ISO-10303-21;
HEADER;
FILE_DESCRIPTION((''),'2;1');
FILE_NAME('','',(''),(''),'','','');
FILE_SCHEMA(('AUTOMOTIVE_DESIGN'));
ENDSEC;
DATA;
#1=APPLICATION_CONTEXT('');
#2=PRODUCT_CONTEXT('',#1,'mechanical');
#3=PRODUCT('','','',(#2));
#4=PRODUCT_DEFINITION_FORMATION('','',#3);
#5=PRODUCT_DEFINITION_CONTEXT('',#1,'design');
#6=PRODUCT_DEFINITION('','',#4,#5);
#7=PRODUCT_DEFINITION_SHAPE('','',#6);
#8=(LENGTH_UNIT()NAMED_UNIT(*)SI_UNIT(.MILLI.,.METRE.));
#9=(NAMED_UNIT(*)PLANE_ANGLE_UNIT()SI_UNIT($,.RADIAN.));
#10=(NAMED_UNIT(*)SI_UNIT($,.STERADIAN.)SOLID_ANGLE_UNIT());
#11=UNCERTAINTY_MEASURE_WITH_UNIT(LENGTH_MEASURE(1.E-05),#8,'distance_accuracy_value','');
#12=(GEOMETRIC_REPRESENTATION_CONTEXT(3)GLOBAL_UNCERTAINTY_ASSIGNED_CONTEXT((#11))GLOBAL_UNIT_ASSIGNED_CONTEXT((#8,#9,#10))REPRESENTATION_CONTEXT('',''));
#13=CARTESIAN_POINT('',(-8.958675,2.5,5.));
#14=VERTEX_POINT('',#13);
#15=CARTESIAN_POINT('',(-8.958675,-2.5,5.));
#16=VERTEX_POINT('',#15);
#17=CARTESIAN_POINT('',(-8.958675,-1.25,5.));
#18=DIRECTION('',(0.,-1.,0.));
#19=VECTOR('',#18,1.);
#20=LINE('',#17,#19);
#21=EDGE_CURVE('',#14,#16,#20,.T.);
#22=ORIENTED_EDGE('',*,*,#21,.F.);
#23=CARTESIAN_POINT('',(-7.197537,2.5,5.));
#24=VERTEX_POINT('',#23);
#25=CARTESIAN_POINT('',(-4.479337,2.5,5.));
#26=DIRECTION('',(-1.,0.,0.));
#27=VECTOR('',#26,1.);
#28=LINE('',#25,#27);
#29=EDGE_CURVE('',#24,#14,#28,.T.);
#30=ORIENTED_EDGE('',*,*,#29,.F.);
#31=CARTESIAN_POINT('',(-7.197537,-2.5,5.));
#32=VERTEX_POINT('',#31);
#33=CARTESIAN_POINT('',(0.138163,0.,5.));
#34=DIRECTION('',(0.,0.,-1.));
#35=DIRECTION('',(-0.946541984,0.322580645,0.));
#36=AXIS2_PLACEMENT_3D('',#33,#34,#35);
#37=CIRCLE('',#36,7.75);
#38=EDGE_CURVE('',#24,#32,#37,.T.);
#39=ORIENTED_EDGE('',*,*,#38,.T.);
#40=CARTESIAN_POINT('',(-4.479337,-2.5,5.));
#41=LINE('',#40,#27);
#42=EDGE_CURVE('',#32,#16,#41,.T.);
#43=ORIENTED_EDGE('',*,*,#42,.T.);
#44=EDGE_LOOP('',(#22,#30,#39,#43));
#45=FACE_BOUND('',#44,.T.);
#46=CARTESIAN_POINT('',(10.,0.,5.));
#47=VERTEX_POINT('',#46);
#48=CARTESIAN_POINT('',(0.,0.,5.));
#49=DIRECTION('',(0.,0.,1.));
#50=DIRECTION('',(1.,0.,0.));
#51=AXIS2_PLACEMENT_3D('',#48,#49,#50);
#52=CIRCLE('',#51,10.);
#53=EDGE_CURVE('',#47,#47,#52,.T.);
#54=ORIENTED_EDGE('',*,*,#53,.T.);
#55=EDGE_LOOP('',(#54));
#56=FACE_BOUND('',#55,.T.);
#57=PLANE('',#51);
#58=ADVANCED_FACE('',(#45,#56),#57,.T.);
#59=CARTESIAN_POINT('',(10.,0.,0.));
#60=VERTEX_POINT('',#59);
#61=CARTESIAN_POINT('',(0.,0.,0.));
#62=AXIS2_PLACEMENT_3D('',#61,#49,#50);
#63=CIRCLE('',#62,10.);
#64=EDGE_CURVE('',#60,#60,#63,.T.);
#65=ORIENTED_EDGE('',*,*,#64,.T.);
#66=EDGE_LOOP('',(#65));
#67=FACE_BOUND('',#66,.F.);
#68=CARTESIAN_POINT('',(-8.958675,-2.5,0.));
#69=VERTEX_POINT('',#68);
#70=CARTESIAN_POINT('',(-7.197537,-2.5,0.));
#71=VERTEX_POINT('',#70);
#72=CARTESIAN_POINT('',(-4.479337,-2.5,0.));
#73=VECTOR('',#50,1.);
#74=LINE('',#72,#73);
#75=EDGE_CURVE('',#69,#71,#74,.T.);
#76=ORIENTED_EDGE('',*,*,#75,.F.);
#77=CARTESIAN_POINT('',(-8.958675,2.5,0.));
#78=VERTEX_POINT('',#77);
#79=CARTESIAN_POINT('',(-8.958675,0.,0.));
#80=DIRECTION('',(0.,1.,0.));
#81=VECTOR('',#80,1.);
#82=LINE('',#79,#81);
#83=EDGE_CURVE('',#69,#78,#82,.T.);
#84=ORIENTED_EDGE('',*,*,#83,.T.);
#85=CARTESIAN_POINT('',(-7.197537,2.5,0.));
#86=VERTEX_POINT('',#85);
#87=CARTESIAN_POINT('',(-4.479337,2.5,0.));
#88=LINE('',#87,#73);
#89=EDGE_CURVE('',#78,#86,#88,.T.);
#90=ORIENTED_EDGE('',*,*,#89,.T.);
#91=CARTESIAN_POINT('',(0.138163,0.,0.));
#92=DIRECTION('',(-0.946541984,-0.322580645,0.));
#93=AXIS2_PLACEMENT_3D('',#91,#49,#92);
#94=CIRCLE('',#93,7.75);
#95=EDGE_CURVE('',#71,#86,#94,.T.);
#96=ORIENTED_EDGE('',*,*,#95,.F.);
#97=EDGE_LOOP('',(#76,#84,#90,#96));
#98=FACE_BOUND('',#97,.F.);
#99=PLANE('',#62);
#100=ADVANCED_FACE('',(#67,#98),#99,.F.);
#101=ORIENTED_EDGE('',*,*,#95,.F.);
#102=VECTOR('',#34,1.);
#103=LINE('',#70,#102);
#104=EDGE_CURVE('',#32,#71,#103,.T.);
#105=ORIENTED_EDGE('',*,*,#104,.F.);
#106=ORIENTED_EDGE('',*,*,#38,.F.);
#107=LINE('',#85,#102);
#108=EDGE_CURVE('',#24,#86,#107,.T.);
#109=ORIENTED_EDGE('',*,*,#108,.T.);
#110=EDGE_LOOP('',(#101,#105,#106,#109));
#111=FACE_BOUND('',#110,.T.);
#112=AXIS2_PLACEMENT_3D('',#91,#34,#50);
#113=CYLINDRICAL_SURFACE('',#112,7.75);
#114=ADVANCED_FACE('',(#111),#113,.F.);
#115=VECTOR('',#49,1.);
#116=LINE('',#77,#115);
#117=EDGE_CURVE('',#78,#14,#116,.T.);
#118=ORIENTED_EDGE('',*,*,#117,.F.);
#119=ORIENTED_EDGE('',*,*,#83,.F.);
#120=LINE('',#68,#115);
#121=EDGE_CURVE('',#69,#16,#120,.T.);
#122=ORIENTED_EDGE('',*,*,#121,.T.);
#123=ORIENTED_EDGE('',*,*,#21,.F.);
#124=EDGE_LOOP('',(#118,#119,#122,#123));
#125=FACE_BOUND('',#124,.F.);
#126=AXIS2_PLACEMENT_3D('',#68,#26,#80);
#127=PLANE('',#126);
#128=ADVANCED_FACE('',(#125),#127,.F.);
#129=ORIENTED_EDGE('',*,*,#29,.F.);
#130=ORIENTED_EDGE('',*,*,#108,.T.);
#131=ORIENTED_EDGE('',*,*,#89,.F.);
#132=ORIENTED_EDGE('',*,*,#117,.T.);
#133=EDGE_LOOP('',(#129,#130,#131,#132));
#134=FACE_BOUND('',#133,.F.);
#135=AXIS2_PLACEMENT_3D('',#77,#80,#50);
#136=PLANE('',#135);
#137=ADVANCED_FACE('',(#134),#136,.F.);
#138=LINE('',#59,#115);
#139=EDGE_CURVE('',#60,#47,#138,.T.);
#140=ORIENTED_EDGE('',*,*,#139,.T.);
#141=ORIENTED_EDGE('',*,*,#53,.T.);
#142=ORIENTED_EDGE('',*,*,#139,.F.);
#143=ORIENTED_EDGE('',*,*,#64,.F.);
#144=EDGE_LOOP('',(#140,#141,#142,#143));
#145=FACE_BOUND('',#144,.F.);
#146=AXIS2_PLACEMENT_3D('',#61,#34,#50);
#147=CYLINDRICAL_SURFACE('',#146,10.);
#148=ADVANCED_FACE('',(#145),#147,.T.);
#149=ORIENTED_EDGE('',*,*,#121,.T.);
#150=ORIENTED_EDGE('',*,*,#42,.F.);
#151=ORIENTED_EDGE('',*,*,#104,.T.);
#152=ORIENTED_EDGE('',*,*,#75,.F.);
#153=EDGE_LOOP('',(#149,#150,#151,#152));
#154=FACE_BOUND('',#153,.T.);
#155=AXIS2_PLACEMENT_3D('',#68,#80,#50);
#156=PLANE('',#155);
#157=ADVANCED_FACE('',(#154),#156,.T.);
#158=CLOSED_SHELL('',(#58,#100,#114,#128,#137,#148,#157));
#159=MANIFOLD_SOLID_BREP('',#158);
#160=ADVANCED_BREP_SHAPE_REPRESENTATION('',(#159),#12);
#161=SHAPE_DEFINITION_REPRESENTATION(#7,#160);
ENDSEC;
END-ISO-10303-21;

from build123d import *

# Parameters (mm, degrees)
F1_R     = 10
F2_DEPTH = 5
F0_R     = 7.75
F3_DEPTH = 25.4
F4_W     = 8.958675
F4_H     = 5
F5_DEPTH = 80


with BuildPart() as f2:
    # F1 (on Top) → F2 (new body)
    with BuildSketch(Plane.XY):
        Circle(F1_R)
    extrude(amount=F2_DEPTH)

    # F0 (on Top) → F3 (cut)
    with BuildSketch(Plane.XY):
        with Locations((0.138163, 0)):
            Circle(F0_R)
    extrude(amount=F3_DEPTH, mode=Mode.SUBTRACT)

    # F4 (on Top) → F5 (cut)
    with BuildSketch(Plane.XY):
        with Locations((-4.479337, 0)):
            Rectangle(F4_W, F4_H)
    extrude(amount=F5_DEPTH, mode=Mode.SUBTRACT)


solid = f2.part
